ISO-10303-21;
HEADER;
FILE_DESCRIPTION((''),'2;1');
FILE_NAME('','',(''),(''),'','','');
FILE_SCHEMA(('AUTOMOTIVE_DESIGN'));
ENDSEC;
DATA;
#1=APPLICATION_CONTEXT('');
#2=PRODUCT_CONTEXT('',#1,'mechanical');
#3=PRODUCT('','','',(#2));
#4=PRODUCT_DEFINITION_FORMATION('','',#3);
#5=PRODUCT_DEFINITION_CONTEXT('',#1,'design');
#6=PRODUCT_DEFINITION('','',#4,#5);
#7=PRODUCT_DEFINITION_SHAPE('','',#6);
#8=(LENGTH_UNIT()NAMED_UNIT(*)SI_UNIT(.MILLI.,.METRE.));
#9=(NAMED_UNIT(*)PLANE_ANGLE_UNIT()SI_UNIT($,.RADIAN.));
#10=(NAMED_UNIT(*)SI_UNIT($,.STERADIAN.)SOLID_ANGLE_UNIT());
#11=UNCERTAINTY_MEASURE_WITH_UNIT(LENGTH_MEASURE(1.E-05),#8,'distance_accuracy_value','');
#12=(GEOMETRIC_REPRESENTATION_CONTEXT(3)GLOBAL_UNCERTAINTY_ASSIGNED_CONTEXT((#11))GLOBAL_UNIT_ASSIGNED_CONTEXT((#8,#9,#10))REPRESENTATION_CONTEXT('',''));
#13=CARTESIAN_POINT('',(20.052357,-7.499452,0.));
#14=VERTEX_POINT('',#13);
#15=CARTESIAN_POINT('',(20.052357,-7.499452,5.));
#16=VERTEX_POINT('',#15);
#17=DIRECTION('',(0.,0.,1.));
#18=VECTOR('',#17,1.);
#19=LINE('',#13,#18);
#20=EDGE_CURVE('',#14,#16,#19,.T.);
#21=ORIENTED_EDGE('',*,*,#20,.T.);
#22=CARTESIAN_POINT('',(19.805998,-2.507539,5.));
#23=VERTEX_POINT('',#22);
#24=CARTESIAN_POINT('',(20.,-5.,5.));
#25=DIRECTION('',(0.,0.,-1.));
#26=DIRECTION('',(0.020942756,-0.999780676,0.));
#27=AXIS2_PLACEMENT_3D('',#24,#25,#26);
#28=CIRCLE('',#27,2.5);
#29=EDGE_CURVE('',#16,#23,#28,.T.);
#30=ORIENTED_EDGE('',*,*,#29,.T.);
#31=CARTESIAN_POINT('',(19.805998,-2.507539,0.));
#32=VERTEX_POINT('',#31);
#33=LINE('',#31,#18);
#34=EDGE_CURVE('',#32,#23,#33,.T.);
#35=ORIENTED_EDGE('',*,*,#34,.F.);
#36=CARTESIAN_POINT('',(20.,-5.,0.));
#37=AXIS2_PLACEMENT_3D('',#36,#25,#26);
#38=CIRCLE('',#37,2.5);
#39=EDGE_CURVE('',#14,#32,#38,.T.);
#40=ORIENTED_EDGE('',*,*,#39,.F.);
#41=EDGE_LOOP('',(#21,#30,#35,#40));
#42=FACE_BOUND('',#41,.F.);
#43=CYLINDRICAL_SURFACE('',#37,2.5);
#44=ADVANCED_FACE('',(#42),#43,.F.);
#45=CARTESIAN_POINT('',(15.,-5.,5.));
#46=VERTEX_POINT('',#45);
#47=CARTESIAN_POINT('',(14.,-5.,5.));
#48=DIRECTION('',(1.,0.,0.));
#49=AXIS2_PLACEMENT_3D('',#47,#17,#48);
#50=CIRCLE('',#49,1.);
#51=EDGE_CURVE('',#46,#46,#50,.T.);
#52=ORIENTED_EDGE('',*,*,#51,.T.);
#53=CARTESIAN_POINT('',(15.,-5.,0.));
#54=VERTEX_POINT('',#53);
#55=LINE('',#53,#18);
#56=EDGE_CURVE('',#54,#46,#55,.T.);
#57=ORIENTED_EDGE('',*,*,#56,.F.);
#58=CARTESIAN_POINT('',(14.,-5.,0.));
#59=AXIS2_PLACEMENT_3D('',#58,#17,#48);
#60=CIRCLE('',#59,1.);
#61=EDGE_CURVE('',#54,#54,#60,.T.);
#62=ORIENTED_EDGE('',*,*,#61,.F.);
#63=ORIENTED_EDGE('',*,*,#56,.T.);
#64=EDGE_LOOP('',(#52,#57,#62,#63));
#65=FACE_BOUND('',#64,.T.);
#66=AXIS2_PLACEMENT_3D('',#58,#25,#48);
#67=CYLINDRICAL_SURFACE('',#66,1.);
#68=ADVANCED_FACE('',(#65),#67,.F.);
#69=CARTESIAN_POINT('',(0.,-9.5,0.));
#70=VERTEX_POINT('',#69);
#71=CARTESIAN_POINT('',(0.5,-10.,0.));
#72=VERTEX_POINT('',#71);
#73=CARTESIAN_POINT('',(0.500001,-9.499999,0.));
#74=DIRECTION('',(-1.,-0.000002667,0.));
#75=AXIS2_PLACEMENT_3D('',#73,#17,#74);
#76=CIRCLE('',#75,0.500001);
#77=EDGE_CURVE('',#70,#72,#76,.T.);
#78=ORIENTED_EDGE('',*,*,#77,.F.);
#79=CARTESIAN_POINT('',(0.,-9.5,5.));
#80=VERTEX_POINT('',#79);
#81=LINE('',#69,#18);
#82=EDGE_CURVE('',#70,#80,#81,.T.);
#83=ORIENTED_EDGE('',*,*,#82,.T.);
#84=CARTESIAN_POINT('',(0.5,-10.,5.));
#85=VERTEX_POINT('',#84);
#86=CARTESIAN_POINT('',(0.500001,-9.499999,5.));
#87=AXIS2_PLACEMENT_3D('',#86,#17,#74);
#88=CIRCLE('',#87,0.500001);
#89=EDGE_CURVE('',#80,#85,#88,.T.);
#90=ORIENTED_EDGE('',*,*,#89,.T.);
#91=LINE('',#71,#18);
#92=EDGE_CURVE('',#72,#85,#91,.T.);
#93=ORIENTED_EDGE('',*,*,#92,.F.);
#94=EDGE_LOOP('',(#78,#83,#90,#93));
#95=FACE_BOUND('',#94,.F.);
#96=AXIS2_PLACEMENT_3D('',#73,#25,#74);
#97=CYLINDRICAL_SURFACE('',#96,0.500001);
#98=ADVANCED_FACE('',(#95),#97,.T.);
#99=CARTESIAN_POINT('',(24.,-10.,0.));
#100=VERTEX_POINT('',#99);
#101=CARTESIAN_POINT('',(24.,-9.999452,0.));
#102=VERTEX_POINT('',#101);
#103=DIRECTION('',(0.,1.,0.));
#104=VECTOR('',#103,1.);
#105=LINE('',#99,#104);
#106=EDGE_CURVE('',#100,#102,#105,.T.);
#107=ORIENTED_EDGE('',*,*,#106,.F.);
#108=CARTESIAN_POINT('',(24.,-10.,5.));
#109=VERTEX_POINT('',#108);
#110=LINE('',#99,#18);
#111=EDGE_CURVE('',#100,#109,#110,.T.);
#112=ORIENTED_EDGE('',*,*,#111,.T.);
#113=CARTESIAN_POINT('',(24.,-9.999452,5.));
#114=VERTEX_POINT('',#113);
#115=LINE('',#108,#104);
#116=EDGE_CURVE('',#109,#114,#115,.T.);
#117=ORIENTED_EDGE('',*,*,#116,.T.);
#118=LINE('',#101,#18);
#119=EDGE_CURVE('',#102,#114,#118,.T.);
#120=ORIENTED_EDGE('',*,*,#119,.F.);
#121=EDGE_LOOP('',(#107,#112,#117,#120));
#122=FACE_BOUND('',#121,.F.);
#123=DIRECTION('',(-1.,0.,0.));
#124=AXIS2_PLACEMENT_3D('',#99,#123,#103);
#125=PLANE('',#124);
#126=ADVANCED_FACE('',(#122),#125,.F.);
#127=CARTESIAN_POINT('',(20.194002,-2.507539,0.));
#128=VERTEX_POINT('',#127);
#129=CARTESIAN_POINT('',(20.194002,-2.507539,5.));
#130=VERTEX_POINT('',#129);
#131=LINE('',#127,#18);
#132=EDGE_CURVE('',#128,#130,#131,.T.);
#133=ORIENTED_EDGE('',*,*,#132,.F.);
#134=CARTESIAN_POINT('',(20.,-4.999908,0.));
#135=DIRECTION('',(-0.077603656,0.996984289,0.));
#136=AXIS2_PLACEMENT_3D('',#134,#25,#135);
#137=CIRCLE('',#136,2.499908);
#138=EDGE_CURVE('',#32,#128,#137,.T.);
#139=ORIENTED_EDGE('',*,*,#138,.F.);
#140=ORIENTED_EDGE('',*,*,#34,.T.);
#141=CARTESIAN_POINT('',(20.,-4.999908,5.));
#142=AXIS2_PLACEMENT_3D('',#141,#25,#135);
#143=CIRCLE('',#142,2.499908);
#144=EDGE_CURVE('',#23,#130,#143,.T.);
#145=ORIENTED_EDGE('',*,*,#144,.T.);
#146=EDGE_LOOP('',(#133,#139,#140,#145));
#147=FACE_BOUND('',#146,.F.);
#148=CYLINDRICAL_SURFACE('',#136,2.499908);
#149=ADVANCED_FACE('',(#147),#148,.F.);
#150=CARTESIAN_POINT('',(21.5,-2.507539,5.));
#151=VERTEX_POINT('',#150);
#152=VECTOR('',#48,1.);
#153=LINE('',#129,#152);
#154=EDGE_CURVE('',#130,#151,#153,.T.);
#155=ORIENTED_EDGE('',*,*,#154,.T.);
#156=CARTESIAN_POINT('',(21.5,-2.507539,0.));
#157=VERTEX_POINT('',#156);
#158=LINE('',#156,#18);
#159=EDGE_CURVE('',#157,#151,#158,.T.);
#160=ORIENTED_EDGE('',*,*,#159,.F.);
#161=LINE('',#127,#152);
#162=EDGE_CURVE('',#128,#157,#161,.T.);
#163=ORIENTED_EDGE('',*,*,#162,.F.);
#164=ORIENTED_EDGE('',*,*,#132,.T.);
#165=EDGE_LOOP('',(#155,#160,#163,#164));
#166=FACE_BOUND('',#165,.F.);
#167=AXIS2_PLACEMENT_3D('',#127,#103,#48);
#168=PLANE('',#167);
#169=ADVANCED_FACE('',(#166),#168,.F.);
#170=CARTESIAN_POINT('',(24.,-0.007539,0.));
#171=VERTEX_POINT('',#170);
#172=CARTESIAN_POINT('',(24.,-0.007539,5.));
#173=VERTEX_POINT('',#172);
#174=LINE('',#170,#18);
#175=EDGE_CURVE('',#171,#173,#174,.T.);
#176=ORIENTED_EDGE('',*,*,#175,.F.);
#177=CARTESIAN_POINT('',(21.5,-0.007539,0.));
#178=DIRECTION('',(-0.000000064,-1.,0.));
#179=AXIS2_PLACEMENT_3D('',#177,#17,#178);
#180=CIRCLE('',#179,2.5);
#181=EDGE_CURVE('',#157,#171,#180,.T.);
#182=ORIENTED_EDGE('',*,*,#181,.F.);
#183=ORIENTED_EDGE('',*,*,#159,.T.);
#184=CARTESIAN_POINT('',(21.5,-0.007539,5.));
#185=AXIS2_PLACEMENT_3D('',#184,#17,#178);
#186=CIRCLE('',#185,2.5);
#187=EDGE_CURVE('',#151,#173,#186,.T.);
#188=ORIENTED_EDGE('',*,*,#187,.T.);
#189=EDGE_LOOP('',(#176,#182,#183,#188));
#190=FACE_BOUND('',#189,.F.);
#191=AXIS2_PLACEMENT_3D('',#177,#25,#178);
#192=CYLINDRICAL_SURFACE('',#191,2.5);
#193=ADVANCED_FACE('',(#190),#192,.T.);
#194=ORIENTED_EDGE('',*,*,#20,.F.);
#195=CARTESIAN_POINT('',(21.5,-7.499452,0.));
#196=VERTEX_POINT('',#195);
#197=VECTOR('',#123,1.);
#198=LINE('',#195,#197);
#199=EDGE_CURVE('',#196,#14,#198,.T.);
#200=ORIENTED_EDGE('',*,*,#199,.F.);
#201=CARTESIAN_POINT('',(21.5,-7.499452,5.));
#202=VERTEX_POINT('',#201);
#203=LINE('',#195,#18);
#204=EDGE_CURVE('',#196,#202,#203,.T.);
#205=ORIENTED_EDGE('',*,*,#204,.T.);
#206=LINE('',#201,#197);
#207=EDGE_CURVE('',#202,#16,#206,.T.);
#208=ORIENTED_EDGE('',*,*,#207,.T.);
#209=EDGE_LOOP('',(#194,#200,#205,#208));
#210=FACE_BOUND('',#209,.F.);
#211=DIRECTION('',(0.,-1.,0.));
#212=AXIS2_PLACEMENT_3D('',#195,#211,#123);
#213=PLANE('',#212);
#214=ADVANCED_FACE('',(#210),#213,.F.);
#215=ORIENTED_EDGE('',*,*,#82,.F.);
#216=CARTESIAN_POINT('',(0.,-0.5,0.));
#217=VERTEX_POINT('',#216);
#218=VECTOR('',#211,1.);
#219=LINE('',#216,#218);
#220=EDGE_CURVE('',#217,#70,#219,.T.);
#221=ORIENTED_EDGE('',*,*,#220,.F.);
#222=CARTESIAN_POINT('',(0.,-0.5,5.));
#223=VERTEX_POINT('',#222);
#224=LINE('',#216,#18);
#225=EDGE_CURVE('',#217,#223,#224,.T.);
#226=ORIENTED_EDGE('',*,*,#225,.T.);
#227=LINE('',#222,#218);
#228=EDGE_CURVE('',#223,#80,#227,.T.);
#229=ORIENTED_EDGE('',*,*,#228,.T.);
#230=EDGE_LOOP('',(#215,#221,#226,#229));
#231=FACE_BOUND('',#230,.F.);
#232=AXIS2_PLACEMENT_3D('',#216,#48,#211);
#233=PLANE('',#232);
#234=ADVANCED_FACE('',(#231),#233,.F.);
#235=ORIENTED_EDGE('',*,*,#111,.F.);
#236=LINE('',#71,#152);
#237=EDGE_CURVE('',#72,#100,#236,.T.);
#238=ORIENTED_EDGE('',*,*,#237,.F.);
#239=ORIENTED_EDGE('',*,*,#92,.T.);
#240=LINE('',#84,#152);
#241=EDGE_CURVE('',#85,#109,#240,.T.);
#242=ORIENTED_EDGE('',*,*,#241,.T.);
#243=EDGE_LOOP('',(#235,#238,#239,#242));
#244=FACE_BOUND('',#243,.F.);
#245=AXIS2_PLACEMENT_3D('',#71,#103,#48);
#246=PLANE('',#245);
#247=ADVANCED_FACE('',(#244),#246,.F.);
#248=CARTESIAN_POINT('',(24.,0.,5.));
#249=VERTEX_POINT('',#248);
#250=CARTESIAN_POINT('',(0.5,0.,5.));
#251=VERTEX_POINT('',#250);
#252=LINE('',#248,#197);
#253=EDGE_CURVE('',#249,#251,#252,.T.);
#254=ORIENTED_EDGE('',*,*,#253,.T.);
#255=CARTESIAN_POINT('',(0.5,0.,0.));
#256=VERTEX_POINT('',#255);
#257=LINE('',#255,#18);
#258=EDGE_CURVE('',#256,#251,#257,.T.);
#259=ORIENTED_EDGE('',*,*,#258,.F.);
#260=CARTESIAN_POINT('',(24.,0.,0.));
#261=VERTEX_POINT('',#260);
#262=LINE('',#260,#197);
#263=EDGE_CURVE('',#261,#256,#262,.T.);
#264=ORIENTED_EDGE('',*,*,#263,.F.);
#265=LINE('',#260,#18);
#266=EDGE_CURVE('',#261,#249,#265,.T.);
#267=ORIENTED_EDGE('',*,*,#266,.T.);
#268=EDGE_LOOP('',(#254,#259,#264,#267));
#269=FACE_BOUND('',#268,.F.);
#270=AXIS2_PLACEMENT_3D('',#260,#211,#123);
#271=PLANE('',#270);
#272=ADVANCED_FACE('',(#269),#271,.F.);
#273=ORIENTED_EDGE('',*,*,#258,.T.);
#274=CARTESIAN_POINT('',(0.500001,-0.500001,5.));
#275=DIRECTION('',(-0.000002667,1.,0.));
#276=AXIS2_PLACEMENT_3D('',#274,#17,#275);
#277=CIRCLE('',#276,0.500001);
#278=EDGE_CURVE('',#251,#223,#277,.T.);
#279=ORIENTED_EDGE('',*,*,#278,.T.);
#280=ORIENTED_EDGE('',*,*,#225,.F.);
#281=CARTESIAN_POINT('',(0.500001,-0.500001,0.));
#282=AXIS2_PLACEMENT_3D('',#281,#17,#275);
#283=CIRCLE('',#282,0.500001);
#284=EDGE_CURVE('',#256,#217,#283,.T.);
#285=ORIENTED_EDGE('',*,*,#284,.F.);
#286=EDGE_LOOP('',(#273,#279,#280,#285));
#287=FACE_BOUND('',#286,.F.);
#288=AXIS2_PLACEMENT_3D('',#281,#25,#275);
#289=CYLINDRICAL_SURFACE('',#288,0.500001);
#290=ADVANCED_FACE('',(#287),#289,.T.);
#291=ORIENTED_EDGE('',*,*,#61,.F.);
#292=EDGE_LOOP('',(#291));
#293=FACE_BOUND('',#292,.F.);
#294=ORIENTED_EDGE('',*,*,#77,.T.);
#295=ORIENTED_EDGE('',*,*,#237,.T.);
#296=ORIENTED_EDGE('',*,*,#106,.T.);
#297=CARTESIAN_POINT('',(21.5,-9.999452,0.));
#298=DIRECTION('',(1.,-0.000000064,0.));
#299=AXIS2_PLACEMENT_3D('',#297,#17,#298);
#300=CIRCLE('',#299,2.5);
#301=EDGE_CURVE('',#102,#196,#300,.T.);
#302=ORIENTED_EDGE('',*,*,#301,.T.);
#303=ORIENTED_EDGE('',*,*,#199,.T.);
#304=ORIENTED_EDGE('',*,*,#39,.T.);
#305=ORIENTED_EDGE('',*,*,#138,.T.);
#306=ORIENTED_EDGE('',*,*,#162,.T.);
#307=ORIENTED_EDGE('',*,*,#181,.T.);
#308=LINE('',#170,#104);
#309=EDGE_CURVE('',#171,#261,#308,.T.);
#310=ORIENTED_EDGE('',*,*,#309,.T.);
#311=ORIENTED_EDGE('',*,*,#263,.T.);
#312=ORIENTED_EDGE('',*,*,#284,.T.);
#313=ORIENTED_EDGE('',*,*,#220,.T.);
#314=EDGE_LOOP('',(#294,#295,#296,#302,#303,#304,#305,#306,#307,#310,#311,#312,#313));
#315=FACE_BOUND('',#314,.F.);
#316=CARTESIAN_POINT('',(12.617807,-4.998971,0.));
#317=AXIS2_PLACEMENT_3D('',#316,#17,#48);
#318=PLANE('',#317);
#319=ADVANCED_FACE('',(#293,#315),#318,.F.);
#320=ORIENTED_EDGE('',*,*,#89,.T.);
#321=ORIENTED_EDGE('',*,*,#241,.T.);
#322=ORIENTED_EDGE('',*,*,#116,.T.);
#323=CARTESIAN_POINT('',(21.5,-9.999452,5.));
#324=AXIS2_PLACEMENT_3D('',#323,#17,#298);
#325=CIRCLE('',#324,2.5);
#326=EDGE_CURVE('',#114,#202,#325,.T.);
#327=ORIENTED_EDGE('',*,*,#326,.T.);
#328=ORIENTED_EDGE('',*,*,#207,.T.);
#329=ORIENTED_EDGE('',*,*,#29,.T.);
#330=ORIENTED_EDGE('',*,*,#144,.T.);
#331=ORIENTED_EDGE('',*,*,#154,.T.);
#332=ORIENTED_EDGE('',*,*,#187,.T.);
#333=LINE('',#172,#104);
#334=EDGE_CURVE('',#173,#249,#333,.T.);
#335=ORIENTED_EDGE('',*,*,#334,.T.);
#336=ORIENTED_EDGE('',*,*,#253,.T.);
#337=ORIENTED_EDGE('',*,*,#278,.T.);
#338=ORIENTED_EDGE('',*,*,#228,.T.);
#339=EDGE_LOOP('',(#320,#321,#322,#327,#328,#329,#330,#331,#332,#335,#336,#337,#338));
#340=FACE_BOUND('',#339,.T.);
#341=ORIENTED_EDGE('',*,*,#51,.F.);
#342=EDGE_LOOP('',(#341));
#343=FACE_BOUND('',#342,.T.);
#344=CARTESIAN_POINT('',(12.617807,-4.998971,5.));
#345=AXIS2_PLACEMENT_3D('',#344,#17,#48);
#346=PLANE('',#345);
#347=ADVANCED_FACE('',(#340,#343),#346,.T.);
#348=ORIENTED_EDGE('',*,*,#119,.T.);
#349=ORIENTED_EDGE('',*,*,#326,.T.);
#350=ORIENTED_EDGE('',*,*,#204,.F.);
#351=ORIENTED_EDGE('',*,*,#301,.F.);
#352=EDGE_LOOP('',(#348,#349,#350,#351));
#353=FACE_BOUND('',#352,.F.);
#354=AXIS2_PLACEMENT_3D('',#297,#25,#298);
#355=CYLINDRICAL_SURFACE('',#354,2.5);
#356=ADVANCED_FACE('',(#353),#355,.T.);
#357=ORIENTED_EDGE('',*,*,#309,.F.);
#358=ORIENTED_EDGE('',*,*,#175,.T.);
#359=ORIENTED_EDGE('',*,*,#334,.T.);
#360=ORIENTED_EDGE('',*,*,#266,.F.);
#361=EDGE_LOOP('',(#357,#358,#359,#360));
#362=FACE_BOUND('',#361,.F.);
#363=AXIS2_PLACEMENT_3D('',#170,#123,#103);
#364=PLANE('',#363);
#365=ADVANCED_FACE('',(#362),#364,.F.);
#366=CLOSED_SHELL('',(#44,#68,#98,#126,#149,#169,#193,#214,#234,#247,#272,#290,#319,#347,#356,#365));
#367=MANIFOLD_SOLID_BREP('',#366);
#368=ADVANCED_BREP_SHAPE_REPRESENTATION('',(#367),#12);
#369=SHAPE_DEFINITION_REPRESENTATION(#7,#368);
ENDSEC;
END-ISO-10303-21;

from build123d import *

# Parameters (mm, degrees)
F0_R     = 1
F1_DEPTH = 5


with BuildPart() as f1:
    # F0 (on Top) → F1 (new body)
    with BuildSketch(Plane.XY):
        with BuildLine():
            Line((24, 0), (0.5, 0))
            ThreePointArc((0.5, 0), (0.146447, -0.146447), (0, -0.5))
            Line((0, -0.5), (0, -9.5))
            ThreePointArc((0, -9.5), (0.146447, -9.853553), (0.5, -10))
            Line((0.5, -10), (24, -10))
            Line((24, -10), (24, -9.999452))
            ThreePointArc((24, -9.999452), (23.267767, -8.231685), (21.5, -7.499452))
            Line((21.5, -7.499452), (20.052357, -7.499452))
            ThreePointArc((20.052357, -7.499452), (17.503039, -5.123229), (19.805998, -2.507539))
            ThreePointArc((19.805998, -2.507539), (20, -2.5), (20.194002, -2.507539))
            Line((20.194002, -2.507539), (21.5, -2.507539))
            ThreePointArc((21.5, -2.507539), (23.267767, -1.775306), (24, -0.007539))
            Line((24, -0.007539), (24, 0))
        make_face()
        with Locations((14, -5)):
            Circle(F0_R, mode=Mode.SUBTRACT)
    extrude(amount=F1_DEPTH)


solid = f1.part
